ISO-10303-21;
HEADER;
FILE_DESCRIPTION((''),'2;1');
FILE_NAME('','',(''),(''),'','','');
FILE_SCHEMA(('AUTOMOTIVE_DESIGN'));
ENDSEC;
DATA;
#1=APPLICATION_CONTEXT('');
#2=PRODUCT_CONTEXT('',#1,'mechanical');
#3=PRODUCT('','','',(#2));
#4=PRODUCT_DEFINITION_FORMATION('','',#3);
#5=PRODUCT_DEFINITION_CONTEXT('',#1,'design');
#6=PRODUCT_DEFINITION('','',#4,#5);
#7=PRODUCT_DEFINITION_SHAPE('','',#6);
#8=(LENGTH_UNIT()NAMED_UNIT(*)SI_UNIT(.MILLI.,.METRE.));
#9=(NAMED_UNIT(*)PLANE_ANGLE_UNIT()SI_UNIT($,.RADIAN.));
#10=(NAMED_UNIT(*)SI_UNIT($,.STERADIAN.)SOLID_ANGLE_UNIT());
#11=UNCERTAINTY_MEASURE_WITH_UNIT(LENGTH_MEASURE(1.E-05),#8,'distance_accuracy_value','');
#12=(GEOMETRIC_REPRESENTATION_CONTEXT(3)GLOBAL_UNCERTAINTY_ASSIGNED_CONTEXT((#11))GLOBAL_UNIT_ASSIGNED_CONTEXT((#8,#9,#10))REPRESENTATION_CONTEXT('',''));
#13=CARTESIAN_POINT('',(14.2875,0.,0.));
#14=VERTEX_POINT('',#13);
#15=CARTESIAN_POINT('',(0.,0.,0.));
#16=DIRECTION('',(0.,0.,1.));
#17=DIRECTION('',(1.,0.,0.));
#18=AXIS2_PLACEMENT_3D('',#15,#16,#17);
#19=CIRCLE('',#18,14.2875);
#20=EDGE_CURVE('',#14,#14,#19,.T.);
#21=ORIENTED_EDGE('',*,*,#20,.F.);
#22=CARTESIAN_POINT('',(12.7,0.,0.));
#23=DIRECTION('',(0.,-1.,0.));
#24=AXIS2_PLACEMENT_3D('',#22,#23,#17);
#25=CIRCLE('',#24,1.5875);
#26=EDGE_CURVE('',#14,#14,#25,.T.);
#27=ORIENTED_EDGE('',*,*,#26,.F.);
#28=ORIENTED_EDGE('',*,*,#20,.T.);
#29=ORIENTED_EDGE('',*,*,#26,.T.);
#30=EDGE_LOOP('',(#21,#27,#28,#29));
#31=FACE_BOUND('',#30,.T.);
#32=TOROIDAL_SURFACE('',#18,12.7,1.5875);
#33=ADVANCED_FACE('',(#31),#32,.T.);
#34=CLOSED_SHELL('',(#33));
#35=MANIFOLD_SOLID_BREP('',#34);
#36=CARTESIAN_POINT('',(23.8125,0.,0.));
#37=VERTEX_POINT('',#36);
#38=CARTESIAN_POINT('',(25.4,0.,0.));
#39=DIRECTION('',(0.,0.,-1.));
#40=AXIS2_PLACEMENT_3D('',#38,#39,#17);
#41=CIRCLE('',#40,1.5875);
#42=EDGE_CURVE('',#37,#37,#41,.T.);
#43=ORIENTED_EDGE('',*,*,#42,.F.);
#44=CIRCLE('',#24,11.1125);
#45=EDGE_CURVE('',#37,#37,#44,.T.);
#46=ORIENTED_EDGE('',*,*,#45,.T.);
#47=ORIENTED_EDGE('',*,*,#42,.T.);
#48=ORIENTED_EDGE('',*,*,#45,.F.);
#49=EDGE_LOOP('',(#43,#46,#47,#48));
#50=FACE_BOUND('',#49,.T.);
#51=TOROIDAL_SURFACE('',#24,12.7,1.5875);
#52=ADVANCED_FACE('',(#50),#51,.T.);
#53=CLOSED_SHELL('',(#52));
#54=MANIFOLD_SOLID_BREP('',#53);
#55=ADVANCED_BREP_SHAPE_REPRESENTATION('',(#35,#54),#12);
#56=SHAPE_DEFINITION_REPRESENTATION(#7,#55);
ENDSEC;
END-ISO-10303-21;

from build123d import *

# Parameters (mm, degrees)
F1_R = 1.5875
F3_R = 1.5875


with BuildPart() as f4:
    # F4: sweep along a path in F3
    with BuildLine(Plane.XZ) as f4_path:
        CenterArc((12.7, 0), 12.7, 0, 360)
    # F1 (on Top) → F4 (sweep)
    with BuildSketch(Plane.XY):
        Circle(F1_R)
    sweep(path=f4_path.line)


with BuildPart() as f5:
    # F5: sweep along a path in F0
    with BuildLine(Plane.XY) as f5_path:
        CenterArc((0, 0), 12.7, 0, 360)
    # F3 (on Front) → F5 (sweep)
    with BuildSketch(Plane.XZ):
        with Locations((12.7, 0)):
            Circle(F3_R)
    sweep(path=f5_path.line)


solid = Compound([f4.part, f5.part])
